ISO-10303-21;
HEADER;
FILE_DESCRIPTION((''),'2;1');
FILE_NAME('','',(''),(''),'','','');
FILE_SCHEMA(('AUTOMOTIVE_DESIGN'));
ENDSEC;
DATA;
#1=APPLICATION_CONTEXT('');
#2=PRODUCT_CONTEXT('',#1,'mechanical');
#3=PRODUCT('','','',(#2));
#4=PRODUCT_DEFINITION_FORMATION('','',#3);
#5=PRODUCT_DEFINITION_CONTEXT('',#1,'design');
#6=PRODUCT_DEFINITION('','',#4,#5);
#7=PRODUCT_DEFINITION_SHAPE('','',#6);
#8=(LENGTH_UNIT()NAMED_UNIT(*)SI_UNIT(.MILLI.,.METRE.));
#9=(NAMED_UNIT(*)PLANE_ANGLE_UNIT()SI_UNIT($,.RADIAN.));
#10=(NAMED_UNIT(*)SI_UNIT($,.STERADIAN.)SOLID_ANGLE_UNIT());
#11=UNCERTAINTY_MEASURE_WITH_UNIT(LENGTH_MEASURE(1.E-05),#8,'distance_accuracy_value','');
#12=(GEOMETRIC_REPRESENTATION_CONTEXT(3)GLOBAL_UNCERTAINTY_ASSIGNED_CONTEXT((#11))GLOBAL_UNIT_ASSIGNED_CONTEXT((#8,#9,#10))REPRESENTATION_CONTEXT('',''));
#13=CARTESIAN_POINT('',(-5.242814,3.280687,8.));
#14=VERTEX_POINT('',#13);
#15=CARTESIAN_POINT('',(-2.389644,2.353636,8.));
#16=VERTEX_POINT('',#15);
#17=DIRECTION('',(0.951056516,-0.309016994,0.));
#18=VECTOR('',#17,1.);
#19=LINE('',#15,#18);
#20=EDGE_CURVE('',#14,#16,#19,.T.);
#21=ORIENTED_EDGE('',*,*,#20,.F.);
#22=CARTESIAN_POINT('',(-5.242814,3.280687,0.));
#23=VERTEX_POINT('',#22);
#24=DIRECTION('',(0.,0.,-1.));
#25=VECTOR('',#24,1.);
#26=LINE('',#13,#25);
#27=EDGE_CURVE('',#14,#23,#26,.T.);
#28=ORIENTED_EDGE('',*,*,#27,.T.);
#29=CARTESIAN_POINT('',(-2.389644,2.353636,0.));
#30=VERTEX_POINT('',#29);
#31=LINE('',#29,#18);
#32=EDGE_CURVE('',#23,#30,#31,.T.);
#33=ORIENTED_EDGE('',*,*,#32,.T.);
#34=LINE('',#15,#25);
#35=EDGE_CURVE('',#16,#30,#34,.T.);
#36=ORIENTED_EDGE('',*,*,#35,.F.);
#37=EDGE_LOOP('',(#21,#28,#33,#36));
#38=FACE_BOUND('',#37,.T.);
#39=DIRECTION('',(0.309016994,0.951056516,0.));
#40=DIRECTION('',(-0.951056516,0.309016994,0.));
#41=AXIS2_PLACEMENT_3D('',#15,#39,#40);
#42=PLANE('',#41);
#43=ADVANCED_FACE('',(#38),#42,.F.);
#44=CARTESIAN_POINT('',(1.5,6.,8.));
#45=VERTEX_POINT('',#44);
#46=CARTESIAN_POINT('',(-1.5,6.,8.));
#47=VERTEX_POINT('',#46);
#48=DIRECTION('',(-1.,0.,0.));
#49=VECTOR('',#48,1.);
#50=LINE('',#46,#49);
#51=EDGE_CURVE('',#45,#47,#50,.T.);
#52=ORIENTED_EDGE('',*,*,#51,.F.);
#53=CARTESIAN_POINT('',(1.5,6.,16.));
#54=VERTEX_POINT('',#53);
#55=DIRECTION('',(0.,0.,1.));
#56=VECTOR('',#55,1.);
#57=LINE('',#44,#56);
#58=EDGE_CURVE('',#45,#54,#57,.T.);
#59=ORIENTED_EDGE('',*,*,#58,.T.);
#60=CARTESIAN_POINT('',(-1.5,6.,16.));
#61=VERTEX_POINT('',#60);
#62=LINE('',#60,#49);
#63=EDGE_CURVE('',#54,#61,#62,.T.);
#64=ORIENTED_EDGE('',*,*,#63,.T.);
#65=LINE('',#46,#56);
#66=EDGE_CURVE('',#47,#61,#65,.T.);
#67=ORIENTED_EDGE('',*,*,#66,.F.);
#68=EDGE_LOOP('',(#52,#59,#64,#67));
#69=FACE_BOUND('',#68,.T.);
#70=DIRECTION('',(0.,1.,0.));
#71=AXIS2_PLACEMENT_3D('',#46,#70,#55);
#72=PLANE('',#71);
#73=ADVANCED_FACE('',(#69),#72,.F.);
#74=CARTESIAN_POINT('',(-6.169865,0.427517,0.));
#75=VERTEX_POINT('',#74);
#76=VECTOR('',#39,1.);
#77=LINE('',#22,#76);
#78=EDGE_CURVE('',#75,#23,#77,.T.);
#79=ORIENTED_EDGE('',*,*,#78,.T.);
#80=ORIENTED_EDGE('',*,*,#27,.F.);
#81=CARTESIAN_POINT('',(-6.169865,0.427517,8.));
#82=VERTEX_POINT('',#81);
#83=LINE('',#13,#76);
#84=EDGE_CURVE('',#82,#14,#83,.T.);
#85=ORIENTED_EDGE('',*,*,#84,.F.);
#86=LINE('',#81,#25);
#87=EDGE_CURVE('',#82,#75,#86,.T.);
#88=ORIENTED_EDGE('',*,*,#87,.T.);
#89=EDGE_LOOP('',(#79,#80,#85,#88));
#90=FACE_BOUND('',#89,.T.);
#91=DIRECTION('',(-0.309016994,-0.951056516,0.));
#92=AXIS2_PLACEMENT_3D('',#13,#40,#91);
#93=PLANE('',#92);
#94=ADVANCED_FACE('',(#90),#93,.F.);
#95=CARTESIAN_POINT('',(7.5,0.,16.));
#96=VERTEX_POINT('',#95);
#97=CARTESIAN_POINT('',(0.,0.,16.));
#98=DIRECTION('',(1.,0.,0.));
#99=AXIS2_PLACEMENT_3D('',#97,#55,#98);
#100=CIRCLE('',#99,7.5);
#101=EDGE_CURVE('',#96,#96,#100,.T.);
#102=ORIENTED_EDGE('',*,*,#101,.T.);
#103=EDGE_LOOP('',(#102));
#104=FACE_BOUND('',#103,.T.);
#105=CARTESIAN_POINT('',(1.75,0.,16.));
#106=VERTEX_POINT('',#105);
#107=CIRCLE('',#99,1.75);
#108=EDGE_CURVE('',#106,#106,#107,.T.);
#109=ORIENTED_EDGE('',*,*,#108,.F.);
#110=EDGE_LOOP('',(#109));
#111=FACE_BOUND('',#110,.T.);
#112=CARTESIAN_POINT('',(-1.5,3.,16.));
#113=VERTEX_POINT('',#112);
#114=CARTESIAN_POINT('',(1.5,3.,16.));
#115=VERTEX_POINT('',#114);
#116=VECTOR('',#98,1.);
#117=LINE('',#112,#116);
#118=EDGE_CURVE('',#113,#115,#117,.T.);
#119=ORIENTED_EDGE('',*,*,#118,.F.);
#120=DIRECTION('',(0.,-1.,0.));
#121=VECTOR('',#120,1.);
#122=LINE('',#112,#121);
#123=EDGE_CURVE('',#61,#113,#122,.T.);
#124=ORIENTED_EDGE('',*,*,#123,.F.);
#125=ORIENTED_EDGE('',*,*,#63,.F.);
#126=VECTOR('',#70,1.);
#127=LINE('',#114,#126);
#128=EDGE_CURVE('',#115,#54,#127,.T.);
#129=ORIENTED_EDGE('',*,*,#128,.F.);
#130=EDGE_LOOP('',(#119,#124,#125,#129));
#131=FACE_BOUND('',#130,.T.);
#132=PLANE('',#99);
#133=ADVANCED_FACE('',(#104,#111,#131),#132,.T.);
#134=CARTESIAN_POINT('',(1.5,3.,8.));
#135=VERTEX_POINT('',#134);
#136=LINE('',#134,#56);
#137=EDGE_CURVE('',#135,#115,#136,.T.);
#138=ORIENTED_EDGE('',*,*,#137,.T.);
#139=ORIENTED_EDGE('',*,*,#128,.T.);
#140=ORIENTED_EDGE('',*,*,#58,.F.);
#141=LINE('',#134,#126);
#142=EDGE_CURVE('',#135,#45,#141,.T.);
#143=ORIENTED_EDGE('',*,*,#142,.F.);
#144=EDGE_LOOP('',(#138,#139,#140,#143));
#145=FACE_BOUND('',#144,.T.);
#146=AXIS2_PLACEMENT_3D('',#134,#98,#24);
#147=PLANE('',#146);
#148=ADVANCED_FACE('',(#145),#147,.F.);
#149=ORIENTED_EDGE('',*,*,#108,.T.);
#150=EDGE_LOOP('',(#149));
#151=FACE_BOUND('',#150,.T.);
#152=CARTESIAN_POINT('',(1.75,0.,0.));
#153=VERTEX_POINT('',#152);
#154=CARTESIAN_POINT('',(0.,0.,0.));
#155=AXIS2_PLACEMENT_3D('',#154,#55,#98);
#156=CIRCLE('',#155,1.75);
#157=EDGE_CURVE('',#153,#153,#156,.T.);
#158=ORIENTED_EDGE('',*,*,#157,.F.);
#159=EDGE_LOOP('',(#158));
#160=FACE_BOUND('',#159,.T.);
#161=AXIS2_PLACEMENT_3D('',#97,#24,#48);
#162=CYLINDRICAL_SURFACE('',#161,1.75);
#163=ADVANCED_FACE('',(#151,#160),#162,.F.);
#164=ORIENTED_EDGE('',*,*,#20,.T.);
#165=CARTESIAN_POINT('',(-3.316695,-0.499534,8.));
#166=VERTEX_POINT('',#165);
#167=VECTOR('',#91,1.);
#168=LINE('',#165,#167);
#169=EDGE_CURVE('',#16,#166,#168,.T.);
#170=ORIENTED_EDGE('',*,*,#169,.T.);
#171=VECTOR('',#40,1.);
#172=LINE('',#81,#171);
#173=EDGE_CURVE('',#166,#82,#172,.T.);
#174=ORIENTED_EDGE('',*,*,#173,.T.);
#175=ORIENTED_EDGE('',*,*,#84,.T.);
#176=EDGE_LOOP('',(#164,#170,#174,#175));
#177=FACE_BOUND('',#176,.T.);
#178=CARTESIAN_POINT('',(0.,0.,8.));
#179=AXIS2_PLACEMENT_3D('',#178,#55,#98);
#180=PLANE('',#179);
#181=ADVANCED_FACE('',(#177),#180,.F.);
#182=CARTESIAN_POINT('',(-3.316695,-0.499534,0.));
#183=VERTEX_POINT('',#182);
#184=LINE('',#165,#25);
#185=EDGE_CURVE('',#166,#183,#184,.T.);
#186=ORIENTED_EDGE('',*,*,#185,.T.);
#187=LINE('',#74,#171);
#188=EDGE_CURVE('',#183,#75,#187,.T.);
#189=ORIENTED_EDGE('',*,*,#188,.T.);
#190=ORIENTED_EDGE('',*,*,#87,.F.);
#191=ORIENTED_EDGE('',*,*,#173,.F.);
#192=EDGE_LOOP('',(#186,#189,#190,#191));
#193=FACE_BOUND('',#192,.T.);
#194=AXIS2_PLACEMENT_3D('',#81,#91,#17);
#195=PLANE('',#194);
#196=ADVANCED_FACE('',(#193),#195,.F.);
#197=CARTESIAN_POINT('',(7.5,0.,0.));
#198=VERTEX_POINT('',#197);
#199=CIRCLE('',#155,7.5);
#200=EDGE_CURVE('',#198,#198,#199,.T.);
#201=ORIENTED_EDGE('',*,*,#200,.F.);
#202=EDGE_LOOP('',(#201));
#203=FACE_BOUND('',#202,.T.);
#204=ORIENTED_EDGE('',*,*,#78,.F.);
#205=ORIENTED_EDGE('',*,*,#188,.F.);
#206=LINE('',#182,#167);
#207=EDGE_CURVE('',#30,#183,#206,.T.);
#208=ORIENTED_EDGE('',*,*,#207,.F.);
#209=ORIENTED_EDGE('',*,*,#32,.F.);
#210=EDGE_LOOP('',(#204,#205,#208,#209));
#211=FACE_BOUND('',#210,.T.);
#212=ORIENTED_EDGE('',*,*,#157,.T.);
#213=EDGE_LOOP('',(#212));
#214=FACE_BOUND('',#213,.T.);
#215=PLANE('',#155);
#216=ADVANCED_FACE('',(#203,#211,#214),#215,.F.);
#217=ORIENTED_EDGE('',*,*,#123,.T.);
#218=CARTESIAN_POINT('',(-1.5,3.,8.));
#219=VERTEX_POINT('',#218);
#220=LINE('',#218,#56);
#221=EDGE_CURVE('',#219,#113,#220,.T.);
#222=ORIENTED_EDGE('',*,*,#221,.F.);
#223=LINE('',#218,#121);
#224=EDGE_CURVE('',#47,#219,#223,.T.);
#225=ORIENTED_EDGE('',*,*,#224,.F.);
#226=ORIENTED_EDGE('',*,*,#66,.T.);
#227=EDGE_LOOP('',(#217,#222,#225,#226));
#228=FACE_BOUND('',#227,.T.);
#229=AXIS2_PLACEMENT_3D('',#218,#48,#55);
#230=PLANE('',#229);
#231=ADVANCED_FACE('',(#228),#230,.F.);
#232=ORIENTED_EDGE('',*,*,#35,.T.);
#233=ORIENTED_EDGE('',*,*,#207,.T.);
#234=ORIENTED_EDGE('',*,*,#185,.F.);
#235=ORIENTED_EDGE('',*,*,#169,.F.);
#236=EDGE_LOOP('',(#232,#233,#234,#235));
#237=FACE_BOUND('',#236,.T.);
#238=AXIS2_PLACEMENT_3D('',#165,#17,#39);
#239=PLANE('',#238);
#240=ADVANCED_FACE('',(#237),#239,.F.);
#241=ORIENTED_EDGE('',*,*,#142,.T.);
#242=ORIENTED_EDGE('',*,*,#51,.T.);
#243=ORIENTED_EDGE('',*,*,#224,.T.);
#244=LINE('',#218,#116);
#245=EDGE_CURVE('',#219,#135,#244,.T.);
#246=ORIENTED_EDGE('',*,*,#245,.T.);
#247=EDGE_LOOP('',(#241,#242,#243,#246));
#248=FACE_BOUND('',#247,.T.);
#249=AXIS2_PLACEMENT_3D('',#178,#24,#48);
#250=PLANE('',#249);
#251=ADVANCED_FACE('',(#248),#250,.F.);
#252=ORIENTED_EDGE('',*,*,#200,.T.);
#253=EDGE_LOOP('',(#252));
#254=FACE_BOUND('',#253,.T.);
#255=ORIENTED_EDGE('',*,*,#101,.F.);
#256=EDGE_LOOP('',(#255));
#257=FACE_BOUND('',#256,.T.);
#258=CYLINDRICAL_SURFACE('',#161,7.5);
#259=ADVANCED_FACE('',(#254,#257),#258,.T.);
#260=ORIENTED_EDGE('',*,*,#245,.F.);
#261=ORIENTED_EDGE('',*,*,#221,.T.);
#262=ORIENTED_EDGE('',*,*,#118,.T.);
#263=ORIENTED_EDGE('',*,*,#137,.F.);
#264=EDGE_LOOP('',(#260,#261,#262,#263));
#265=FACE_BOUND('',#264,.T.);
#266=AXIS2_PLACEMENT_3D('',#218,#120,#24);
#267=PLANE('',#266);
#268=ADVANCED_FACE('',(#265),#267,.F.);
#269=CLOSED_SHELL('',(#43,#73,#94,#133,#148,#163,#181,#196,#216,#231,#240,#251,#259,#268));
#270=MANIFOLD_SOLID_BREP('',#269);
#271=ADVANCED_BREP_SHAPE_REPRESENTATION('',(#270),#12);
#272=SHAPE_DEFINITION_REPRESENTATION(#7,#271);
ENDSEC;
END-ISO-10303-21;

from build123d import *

# Parameters (mm, degrees)
SKETCH1_R           = 7.5
SKETCH1_R_2         = 1.75
BOSS_EXTRUDE1_DEPTH = 16
SKETCH2_W           = 3
SKETCH2_H           = 3
CUT_EXTRUDE1_DEPTH  = 8
CUT_EXTRUDE2_DEPTH  = 8


with BuildPart() as part:
    # Sketch1 → Boss-Extrude1 (new body)
    with BuildSketch(Plane.XY):
        Circle(SKETCH1_R)
        Circle(SKETCH1_R_2, mode=Mode.SUBTRACT)
    extrude(amount=BOSS_EXTRUDE1_DEPTH)

    # Sketch2 → Cut-Extrude1 (cut)
    with BuildSketch(Plane.XY.offset(16)):
        with Locations((0, 4.5)):
            Rectangle(SKETCH2_W, SKETCH2_H)
    extrude(amount=-CUT_EXTRUDE1_DEPTH, mode=Mode.SUBTRACT)

    # Sketch3 → Cut-Extrude2 (cut)
    with BuildSketch(Plane(origin=(0, 0, 0), x_dir=(-1, 0, 0), z_dir=(0, 0, -1))):
        Polygon((3.31669504, -0.499533791), (2.389644057, 2.353635758), (5.242813606, 3.280686741), (6.169864589, 0.427517192), align=None)
    extrude(amount=-CUT_EXTRUDE2_DEPTH, mode=Mode.SUBTRACT)


solid = part.part
